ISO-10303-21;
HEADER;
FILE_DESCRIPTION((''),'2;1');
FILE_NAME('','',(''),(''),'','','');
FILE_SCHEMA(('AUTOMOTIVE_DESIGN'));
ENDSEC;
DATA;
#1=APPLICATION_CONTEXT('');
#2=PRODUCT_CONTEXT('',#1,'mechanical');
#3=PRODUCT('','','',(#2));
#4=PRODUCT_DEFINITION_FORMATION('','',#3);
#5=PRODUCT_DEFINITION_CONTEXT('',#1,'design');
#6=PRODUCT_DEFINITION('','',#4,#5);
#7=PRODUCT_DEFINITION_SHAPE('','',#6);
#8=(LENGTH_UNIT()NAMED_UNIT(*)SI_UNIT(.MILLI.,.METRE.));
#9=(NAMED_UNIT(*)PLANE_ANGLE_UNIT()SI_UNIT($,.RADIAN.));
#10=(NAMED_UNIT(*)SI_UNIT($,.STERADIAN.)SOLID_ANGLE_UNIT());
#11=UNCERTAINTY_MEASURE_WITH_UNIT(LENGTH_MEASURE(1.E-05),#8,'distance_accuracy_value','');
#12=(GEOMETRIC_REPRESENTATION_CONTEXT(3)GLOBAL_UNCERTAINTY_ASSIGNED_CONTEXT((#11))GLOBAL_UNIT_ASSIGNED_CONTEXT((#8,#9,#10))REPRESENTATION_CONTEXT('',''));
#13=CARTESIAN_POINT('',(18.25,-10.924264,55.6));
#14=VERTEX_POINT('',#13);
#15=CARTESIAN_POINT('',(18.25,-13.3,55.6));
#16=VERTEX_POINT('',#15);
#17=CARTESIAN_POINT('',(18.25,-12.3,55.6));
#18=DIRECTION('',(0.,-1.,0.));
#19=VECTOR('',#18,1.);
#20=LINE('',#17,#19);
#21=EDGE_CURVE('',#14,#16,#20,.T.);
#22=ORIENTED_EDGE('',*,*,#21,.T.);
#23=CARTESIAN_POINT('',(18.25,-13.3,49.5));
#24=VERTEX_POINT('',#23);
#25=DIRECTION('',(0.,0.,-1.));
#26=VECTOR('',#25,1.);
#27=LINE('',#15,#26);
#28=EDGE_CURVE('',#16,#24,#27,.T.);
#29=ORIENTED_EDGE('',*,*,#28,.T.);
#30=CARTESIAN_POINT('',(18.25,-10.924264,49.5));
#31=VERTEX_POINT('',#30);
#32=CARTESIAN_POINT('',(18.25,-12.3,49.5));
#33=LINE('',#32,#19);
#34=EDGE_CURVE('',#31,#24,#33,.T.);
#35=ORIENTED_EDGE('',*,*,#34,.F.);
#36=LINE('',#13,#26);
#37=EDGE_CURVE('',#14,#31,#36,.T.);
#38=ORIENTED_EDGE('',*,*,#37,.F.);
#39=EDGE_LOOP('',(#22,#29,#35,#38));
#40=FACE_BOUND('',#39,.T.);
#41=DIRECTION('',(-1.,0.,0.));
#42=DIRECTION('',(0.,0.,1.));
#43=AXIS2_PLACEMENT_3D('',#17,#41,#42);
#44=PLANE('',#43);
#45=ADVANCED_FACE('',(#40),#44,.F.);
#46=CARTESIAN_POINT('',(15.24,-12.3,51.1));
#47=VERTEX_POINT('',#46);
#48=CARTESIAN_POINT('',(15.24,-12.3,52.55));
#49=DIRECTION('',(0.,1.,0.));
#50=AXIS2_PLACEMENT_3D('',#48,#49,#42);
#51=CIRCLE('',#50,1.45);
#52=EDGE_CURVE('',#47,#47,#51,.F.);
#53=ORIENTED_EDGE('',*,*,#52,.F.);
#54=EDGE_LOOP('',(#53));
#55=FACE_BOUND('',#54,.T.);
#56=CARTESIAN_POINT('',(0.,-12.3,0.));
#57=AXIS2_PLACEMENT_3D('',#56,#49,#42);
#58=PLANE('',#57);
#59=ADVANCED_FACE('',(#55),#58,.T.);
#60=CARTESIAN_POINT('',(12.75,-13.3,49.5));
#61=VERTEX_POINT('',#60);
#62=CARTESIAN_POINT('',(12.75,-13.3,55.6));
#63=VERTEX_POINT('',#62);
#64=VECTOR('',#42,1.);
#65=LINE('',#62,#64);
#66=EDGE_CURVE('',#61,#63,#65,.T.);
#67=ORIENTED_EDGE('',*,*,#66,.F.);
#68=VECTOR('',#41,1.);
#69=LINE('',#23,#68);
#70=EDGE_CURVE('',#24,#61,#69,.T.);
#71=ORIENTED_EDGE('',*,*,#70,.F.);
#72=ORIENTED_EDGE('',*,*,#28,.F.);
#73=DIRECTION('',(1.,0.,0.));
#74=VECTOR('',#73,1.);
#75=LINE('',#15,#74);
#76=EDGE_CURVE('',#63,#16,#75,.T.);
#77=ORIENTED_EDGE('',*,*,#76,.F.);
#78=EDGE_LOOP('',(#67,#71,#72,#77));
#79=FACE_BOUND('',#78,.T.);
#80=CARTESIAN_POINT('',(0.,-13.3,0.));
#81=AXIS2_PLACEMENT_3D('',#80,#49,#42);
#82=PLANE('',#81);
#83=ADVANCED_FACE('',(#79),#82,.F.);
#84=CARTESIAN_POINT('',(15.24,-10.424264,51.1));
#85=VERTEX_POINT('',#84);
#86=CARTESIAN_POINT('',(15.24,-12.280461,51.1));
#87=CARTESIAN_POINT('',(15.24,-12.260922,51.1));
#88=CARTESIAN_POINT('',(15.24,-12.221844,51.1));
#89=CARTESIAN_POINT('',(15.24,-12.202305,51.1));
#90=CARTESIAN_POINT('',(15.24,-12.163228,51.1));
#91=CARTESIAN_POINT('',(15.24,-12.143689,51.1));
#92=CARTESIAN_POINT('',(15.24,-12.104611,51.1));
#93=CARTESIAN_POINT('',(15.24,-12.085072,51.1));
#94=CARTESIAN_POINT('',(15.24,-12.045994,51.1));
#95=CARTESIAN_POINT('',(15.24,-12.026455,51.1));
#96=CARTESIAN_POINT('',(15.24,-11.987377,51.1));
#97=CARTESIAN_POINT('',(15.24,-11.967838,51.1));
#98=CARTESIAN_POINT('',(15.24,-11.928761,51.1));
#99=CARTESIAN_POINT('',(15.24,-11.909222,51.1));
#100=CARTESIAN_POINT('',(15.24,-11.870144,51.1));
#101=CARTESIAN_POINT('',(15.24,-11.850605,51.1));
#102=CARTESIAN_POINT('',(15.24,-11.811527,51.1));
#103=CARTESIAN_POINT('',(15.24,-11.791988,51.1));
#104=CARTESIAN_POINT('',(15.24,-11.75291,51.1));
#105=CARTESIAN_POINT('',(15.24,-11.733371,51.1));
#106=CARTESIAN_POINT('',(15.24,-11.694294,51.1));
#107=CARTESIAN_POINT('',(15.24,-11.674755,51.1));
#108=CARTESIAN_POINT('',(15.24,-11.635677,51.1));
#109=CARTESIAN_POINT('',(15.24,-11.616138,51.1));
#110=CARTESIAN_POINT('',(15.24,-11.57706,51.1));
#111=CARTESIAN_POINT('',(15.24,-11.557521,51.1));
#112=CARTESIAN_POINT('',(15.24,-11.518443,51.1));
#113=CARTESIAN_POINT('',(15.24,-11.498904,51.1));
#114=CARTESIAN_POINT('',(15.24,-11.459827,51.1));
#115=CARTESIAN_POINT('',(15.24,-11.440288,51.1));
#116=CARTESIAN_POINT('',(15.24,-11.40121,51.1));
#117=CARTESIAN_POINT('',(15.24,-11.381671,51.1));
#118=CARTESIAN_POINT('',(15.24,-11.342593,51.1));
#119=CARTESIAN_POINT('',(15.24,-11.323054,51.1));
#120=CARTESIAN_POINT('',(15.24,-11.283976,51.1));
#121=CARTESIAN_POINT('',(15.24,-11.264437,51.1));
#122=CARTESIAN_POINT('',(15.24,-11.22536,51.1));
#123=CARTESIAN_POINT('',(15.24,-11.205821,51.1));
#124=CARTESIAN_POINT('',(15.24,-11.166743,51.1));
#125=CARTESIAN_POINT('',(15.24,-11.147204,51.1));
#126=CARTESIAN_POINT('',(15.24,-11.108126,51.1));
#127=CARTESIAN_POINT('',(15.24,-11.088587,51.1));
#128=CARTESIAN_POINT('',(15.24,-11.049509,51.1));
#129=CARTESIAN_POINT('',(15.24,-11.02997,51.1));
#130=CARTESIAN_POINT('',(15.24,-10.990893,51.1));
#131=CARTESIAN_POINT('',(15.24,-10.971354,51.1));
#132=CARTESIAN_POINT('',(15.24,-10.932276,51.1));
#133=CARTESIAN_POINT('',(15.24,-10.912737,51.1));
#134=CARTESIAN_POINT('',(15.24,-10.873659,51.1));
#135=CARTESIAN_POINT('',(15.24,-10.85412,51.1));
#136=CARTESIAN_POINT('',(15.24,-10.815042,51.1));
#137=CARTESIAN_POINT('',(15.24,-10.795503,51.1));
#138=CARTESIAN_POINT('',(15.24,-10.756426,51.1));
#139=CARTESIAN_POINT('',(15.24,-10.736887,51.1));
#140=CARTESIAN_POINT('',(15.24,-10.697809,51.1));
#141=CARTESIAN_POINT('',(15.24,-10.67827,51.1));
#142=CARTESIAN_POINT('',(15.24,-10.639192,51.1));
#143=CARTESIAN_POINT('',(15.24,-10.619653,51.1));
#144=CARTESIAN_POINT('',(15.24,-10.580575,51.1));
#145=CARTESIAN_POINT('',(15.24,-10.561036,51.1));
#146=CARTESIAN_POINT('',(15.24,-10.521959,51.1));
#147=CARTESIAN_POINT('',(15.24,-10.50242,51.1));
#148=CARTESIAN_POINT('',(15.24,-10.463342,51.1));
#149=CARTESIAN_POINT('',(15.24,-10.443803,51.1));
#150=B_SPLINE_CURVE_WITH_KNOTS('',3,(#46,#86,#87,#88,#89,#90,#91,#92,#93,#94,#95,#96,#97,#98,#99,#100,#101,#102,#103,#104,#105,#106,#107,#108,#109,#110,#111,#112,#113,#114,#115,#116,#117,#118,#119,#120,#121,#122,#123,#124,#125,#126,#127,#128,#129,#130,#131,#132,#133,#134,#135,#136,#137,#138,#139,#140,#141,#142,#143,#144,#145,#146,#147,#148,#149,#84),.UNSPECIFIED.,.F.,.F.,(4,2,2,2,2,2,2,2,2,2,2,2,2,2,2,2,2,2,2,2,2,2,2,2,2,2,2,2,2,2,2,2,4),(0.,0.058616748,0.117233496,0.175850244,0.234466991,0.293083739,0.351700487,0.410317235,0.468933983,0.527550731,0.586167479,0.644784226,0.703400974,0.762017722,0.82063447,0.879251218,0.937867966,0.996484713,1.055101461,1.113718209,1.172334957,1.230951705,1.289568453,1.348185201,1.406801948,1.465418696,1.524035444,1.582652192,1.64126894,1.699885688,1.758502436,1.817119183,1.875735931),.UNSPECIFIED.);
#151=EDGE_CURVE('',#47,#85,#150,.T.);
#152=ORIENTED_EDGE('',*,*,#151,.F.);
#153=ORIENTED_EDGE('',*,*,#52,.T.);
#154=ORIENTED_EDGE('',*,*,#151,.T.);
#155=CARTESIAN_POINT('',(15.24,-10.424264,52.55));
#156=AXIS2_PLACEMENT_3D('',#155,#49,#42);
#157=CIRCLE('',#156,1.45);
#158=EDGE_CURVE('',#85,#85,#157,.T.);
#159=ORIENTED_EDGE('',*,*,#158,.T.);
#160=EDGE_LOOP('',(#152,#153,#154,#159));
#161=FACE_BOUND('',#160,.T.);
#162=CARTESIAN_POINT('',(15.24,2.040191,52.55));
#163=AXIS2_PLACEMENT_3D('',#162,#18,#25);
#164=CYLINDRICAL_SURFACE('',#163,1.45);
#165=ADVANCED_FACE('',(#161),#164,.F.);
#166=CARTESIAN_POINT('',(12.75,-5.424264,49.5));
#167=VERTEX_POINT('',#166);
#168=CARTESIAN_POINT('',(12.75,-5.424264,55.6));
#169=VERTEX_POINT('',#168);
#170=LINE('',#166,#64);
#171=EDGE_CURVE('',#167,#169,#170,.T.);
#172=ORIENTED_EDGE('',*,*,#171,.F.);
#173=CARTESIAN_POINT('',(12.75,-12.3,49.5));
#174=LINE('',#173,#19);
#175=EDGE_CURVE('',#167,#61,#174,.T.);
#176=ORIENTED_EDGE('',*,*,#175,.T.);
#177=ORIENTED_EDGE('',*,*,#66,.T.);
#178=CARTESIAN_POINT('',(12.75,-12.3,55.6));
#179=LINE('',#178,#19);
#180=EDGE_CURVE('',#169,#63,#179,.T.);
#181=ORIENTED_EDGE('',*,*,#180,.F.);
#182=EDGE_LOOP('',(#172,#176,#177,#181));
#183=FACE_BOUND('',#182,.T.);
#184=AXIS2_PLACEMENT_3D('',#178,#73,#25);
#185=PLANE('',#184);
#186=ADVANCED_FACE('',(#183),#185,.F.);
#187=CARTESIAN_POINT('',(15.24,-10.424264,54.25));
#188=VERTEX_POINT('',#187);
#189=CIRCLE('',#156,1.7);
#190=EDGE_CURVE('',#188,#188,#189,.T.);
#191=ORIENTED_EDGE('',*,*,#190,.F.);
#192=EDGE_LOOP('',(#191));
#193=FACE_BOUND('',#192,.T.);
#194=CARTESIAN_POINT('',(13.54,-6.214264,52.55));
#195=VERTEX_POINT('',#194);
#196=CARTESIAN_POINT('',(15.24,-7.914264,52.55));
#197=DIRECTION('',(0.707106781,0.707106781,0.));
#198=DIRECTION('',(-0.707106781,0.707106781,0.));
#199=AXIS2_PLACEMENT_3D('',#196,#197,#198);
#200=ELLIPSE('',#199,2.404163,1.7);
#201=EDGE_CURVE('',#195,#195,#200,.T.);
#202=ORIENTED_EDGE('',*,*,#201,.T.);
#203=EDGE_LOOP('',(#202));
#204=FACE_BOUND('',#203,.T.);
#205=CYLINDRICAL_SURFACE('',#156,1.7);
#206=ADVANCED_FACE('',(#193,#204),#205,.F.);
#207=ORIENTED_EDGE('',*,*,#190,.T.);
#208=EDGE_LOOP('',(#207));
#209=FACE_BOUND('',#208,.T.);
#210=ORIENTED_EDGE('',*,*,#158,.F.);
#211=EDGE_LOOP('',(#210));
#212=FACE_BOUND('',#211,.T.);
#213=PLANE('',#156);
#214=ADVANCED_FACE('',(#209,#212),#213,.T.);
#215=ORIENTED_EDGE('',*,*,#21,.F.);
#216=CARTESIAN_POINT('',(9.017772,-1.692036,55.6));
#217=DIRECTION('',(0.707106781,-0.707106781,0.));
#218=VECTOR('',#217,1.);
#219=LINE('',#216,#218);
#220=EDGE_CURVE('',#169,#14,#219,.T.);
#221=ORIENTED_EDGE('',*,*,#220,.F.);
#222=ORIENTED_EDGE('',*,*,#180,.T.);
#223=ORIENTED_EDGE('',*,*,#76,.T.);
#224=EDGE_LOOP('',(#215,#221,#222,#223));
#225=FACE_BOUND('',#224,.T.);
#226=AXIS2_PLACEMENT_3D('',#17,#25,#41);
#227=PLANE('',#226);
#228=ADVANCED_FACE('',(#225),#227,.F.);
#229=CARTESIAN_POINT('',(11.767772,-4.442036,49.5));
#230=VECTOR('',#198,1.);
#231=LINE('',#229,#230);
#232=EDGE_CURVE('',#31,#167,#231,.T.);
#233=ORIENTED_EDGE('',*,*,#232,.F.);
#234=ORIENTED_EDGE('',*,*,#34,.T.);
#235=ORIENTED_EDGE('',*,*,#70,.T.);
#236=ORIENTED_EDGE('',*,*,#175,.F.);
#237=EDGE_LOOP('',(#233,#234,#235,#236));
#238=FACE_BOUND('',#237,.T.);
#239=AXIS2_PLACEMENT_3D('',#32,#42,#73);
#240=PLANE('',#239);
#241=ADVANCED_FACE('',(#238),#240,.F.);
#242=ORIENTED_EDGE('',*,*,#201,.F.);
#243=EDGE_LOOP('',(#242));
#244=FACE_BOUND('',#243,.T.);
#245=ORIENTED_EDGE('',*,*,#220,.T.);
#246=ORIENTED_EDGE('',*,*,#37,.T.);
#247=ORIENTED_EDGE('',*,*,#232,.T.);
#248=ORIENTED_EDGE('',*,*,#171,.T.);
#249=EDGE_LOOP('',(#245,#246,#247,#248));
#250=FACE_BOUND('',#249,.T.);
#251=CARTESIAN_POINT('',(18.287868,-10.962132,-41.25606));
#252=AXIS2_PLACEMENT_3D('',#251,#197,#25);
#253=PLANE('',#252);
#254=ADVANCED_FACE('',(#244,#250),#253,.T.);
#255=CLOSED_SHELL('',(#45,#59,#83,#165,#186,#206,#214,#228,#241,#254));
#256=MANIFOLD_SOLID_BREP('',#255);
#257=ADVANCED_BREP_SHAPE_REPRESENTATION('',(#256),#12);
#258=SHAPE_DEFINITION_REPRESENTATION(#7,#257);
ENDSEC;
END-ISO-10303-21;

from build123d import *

# Parameters (mm, degrees)
SKETCH1_W           = 5.5
SKETCH1_H           = 6.1
BOSS_EXTRUDE1_DEPTH = 1
BOSS_EXTRUDE2_REACH = 60.527
SKETCH2_W           = 5.5
SKETCH2_H           = 6.1
SKETCH2_R           = 1.45
SKETCH3_R           = 1.7
CUT_EXTRUDE1_DEPTH  = 5


with BuildPart() as part:
    # Sketch1 → Boss-Extrude1 (new body)
    with BuildSketch(Plane(origin=(0, -13.3, 0), x_dir=(1, 0, 0), z_dir=(0, 1, 0))):
        with Locations((15.5, -52.55)):
            Rectangle(SKETCH1_W, SKETCH1_H)
    extrude(amount=BOSS_EXTRUDE1_DEPTH)

    # Boss-Extrude2: up to this plane
    boss_extrude2_end = Plane(origin=(18.287867966, -10.962132034, -41.256060161), z_dir=(0.7071067811865521, 0.707106781186543, 0))
    # Sketch2 → Boss-Extrude2 (add, up to the surface)
    with BuildSketch(Plane(origin=(0, -12.3, 0), x_dir=(1, 0, 0), z_dir=(0, 1, 0)), mode=Mode.PRIVATE) as boss_extrude2_sk1:
        with Locations((15.5, -52.55)):
            Rectangle(SKETCH2_W, SKETCH2_H)
        with Locations((15.24, -52.55)):
            Circle(SKETCH2_R, mode=Mode.SUBTRACT)
    boss_extrude2_tool1 = split(extrude(boss_extrude2_sk1.sketch, amount=BOSS_EXTRUDE2_REACH, mode=Mode.PRIVATE), bisect_by=boss_extrude2_end, keep=Keep.BOTH, mode=Mode.PRIVATE)
    add(boss_extrude2_tool1.solids().sort_by_distance((12.832134, -12.3, 52.55))[0])

    # Sketch3 → Cut-Extrude1 (cut)
    with BuildSketch(Plane(origin=(0, -5.424264069, 0), x_dir=(1, 0, 0), z_dir=(0, 1, 0))):
        with Locations(Location((15.24, -52.55, 0), (0, 0, 270))):
            Circle(SKETCH3_R)
    extrude(amount=-CUT_EXTRUDE1_DEPTH, mode=Mode.SUBTRACT)


solid = part.part
